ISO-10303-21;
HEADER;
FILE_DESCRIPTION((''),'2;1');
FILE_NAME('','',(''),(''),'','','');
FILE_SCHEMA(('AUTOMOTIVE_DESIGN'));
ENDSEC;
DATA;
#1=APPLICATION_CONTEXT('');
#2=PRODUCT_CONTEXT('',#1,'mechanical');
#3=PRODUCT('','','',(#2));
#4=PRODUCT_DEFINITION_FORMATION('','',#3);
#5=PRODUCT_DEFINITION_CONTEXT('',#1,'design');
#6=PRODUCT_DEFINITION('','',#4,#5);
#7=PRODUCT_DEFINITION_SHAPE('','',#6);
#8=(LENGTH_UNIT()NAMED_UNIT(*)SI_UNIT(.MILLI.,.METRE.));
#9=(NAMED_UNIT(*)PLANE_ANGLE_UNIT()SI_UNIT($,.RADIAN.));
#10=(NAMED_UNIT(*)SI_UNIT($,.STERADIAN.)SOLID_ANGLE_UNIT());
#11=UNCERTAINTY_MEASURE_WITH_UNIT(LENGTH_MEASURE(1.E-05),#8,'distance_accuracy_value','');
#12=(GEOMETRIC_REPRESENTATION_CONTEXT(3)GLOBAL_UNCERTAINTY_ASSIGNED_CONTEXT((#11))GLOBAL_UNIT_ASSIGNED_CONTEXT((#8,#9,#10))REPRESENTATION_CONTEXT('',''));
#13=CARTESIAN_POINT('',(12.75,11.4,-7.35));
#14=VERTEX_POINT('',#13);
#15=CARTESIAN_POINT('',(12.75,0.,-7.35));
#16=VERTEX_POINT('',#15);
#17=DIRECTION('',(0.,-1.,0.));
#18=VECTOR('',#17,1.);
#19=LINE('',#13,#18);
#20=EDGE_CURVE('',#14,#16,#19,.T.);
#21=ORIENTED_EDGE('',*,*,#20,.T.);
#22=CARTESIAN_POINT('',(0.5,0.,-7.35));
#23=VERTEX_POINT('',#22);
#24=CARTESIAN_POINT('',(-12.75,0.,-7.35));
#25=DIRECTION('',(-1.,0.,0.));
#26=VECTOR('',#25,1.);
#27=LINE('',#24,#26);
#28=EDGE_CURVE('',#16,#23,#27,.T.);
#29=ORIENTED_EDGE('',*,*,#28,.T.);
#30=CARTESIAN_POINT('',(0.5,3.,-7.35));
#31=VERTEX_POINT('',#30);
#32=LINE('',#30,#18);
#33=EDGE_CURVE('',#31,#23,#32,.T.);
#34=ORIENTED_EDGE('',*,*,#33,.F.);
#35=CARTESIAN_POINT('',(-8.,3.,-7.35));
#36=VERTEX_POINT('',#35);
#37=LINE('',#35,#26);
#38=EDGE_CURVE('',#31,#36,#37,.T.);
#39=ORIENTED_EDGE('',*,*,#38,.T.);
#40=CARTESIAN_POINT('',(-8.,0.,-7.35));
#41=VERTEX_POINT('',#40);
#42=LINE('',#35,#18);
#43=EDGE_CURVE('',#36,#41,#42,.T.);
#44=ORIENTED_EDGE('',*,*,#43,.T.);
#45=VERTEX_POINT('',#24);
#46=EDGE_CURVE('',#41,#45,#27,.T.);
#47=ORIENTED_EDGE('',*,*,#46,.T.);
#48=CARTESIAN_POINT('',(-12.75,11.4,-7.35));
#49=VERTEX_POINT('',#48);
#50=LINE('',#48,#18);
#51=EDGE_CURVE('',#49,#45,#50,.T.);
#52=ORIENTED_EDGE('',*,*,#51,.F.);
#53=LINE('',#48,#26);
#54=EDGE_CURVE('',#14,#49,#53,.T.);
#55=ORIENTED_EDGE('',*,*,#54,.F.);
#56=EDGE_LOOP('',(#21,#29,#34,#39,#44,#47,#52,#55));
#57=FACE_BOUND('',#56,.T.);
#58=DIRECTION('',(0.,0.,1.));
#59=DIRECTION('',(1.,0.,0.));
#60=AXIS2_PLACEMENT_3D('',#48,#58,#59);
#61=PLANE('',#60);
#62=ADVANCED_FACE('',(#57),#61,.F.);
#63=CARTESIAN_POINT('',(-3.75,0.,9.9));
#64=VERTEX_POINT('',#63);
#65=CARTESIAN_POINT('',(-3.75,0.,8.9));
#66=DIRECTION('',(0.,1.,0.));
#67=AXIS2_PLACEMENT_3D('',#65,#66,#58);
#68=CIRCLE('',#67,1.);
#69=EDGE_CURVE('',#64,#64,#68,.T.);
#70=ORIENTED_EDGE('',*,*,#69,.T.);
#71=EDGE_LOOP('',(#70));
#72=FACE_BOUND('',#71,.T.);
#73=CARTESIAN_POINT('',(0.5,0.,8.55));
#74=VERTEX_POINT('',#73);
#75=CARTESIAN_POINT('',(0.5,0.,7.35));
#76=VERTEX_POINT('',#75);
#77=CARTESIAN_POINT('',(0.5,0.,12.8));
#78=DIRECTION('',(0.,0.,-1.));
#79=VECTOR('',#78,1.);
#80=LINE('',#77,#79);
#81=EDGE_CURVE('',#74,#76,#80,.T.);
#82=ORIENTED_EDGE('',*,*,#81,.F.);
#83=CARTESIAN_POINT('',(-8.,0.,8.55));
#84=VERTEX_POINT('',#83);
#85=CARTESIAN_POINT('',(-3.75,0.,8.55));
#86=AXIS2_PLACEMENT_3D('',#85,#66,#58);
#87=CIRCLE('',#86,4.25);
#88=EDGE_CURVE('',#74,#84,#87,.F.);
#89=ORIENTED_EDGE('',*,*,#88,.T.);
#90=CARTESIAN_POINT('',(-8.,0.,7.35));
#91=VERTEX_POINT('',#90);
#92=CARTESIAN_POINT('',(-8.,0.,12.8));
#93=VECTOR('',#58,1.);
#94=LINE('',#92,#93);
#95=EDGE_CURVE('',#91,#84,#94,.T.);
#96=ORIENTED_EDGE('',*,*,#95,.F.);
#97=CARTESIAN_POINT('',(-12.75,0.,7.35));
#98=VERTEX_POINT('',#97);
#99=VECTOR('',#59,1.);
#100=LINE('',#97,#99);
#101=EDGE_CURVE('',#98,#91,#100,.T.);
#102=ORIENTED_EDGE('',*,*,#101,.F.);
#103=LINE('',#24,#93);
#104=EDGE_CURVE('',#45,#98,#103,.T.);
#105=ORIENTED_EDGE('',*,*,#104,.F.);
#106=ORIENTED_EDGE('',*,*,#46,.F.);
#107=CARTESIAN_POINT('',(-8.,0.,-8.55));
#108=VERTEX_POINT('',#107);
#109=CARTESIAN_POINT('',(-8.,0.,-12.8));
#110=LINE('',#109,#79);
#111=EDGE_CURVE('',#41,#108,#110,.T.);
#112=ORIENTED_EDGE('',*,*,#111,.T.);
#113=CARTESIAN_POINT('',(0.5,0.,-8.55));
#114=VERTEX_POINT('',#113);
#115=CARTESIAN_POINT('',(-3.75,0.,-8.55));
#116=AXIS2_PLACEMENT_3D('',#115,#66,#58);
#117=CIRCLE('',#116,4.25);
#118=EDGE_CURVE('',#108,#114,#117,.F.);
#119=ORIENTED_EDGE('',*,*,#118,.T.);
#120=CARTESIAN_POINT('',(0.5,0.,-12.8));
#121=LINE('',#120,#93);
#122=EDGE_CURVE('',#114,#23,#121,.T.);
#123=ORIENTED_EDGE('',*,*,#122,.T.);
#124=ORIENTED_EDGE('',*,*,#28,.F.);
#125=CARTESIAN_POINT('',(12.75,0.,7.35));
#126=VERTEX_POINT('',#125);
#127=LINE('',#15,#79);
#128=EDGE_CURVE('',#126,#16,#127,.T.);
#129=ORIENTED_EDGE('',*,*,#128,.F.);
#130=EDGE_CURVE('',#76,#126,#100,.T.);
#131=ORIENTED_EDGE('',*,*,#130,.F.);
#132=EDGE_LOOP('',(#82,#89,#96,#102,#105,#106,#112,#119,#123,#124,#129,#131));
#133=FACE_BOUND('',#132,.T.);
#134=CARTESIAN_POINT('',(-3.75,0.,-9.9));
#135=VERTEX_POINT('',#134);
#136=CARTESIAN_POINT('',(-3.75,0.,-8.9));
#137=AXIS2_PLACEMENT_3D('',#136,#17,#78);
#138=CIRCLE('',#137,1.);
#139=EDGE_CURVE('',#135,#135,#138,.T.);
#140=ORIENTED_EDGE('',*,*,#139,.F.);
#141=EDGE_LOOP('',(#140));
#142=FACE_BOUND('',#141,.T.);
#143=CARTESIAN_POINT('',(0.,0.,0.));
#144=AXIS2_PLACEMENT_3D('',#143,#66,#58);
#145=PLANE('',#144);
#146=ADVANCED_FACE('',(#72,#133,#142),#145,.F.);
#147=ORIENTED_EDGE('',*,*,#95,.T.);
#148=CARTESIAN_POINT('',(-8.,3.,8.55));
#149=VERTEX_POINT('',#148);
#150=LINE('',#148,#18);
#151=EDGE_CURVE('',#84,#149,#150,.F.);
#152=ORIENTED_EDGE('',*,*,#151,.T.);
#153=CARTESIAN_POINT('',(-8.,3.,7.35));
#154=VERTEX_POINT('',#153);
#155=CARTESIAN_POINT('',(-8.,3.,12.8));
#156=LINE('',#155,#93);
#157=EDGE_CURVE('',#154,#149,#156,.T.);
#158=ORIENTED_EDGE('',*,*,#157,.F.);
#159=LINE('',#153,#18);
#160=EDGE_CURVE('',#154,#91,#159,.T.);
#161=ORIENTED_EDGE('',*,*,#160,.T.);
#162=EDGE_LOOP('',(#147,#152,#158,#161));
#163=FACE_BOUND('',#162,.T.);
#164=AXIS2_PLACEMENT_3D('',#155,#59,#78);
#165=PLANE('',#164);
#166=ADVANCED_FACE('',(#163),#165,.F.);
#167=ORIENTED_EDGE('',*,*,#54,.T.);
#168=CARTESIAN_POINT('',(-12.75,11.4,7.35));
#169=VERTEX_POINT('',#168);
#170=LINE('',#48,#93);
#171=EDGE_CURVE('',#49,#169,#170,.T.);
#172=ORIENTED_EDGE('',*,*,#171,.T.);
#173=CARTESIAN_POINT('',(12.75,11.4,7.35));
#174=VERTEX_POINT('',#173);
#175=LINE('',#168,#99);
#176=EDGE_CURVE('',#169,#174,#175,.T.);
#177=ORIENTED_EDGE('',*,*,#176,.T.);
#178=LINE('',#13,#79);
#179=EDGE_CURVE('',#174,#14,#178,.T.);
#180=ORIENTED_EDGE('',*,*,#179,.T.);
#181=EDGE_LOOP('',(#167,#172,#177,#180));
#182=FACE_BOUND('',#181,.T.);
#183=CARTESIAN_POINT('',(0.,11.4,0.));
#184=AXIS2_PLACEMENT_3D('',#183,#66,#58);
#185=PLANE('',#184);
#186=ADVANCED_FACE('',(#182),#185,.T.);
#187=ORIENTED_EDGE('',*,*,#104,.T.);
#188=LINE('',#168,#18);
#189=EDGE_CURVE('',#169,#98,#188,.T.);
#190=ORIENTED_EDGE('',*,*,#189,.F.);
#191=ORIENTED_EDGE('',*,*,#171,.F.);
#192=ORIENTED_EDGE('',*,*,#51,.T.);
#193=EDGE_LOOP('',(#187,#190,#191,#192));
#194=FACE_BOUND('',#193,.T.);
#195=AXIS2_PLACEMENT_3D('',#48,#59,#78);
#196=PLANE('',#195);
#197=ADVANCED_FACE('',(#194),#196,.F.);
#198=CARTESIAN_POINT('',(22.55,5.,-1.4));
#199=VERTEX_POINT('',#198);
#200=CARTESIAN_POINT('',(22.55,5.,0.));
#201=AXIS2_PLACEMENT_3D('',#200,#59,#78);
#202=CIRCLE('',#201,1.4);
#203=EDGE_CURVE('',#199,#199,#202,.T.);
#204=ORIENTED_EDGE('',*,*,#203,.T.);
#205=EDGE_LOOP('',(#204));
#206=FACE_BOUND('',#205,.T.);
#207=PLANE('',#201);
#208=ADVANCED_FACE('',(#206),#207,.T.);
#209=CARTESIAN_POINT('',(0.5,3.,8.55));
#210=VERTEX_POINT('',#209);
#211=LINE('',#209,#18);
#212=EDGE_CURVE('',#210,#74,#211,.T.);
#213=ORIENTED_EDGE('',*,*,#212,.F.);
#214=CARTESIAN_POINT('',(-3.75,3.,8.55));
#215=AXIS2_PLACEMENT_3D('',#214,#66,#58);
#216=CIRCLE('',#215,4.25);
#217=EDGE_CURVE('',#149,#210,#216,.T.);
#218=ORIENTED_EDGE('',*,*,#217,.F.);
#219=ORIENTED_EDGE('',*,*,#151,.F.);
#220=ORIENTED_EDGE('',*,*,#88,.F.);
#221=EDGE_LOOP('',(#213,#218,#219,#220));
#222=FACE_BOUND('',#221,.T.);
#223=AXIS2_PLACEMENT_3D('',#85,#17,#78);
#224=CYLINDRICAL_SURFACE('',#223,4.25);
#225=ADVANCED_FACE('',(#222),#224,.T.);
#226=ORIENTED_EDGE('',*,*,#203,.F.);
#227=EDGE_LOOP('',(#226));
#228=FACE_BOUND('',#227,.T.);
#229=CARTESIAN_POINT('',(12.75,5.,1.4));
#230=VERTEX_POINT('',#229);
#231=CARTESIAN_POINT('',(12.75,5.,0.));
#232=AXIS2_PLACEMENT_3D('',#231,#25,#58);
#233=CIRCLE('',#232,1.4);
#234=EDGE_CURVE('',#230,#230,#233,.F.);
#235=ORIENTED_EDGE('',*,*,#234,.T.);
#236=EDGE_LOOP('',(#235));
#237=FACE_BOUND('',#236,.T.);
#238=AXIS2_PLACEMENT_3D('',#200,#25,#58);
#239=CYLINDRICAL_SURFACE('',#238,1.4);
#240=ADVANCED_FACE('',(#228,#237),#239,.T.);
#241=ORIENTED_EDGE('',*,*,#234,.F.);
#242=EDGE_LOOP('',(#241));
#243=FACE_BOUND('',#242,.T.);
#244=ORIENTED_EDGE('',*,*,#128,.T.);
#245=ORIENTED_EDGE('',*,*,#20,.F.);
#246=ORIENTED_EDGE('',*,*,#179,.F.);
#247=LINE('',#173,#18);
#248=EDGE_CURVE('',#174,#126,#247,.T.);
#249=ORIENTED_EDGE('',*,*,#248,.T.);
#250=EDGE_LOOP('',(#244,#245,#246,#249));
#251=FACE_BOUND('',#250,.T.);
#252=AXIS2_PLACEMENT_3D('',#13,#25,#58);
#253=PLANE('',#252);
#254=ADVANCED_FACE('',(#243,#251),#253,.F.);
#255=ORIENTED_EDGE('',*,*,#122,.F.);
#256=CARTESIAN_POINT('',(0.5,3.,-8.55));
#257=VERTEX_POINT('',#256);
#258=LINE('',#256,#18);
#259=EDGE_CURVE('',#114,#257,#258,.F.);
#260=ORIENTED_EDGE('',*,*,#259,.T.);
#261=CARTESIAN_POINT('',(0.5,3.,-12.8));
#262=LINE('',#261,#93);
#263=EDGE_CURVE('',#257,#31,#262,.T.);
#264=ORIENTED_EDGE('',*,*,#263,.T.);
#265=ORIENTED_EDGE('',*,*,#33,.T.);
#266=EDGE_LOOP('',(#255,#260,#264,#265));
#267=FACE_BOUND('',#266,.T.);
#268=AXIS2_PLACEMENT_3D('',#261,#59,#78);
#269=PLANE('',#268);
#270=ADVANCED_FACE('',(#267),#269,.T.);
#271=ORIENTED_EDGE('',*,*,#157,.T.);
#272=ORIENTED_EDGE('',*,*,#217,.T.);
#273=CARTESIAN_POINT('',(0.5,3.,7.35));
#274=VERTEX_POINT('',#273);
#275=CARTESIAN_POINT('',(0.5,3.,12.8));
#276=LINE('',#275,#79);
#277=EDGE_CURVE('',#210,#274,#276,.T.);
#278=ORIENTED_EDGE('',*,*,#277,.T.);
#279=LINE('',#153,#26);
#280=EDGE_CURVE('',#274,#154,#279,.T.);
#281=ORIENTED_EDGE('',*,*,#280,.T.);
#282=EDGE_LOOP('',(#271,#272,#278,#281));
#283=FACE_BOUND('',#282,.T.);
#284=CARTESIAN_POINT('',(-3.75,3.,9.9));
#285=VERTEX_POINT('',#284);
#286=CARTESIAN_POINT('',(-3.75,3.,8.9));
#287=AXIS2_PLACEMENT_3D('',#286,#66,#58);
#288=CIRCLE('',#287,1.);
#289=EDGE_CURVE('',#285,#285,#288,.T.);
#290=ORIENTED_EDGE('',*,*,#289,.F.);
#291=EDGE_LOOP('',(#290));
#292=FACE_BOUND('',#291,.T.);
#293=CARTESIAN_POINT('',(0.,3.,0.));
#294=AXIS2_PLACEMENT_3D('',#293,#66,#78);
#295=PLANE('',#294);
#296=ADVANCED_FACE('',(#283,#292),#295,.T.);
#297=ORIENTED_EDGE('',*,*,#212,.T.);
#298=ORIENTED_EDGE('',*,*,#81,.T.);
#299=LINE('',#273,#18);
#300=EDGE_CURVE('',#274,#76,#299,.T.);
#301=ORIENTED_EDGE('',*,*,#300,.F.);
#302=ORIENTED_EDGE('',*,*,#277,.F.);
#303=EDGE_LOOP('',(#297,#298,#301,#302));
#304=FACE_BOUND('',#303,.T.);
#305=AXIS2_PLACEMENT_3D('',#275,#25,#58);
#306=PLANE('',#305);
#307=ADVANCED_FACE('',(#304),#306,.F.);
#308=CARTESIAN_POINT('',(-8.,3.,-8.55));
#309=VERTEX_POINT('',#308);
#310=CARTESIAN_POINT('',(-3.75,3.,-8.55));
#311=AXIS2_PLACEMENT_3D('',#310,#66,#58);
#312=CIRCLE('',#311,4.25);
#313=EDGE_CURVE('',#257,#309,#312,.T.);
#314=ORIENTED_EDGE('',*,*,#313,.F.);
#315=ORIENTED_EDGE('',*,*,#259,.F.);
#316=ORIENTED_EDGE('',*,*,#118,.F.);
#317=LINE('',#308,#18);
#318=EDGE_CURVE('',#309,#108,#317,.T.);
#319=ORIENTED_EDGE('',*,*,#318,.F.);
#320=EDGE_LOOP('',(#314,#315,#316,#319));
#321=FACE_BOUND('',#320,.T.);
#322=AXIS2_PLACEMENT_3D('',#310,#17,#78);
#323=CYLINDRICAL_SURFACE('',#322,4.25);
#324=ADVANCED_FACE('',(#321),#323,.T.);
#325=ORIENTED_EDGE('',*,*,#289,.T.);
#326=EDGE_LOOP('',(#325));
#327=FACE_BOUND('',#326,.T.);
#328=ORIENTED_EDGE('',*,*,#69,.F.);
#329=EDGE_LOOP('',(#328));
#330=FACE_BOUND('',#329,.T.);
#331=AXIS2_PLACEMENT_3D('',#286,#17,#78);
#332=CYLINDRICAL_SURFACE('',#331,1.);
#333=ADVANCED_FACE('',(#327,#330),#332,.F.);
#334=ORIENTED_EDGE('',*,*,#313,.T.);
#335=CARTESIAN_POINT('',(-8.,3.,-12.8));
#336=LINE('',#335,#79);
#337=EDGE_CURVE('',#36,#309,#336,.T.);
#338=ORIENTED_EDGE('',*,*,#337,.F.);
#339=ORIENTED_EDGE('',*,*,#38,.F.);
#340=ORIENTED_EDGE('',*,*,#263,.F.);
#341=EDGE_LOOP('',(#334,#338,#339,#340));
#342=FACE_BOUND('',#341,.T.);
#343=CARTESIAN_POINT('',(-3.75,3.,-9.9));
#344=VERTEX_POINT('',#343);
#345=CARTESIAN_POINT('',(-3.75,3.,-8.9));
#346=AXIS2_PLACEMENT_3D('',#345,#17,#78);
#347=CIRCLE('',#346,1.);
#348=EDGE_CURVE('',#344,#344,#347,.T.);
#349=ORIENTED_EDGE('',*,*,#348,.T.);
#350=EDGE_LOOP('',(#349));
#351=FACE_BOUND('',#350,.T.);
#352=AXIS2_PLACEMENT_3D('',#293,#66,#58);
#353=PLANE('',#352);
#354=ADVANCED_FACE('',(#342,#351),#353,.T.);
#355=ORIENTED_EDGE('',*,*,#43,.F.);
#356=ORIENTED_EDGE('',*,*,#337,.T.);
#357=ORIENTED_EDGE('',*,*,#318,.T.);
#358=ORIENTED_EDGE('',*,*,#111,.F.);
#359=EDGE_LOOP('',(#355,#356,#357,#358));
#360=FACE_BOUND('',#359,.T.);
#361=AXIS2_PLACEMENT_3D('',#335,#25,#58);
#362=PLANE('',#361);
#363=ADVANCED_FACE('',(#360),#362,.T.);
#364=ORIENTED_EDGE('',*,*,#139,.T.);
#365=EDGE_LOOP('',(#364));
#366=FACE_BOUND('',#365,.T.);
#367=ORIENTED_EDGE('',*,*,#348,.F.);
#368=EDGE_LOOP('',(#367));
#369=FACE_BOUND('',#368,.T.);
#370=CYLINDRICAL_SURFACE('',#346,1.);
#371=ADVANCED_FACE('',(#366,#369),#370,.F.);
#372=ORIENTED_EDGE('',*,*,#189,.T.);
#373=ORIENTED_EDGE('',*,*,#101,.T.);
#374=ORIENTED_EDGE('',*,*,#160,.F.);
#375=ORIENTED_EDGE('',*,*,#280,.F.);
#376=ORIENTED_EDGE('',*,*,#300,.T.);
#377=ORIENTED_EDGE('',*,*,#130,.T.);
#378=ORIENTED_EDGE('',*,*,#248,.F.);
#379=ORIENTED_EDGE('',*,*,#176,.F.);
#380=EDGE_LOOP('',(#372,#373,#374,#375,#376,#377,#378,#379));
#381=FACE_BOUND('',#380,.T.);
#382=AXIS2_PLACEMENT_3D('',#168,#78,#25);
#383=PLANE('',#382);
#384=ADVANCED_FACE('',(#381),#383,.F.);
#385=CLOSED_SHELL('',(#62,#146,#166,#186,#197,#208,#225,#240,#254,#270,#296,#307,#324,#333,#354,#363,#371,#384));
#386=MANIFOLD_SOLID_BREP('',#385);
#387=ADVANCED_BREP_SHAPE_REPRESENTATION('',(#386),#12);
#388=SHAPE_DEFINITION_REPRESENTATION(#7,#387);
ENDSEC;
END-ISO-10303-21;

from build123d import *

# Parameters (mm, degrees)
SKETCH_1_W                    = 25.5
SKETCH_1_H                    = 14.7
EXTRUDE_263_DEPTH             = 11.4
SKETCH_2_R                    = 1.4
EXTRUDE_429_DEPTH             = 9.8
SKETCH_3_W                    = 8.5
SKETCH_3_H                    = 5.45
SKETCH_3_R                    = 1
EXTRUDE_694_DEPTH             = 3
FILLET_3_RADIUS               = 4.25
FILLET_3_LENGTH               = 3
FILLET_3_OF_MIRROR_3_2_RADIUS = 4.25
FILLET_3_OF_MIRROR_3_2_LENGTH = 3


with BuildPart() as part:
    # 草图1 → Extrude 263 (new body)
    with BuildSketch(Plane(origin=(0, 0, 0), x_dir=(1, 0, 0), z_dir=(0, 1, 0))):
        Rectangle(SKETCH_1_W, SKETCH_1_H)
    extrude(amount=EXTRUDE_263_DEPTH)

    # 草图2 → Extrude 429 (add)
    with BuildSketch(Plane(origin=(12.75, 0, 0), x_dir=(0, 0, -1), z_dir=(1, 0, 0))):
        with Locations(Location((0, 5, 0), (0, 0, 180))):
            Circle(SKETCH_2_R)
    extrude(amount=EXTRUDE_429_DEPTH)

    # 草图3 → Extrude 694 (add)
    with BuildSketch(Plane.XZ):
        with Locations((-3.75, -10.075)):
            Rectangle(SKETCH_3_W, SKETCH_3_H)
        with Locations(Location((-3.75, -8.9, 0), (0, 0, 270))):
            Circle(SKETCH_3_R, mode=Mode.SUBTRACT)
    extrude_694 = extrude(amount=-EXTRUDE_694_DEPTH)

    # 圆角3: full round fillet: the end face becomes a half cylinder, R = half its width
    fillet_3_face = Plane((-3.75, 1.5, -12.8), x_dir=(0, 1, 0), z_dir=(0, 0, -1))  # on the end face: x along it, z out of the body
    fillet_3_slab = fillet_3_face.offset(-FILLET_3_RADIUS / 2) * Box(FILLET_3_LENGTH, 2 * FILLET_3_RADIUS, FILLET_3_RADIUS, mode=Mode.PRIVATE)  # the body's end, R deep
    fillet_3_round = Plane((-3.75, 1.5, -8.55), x_dir=(0, 0, -1), z_dir=(0, 1, 0)) * Cylinder(FILLET_3_RADIUS, FILLET_3_LENGTH, mode=Mode.PRIVATE)  # its axis R under the face
    add(fillet_3_slab - fillet_3_round, mode=Mode.SUBTRACT)

    # 镜向3: Extrude 694 across plane
    add(extrude_694.mirror(Plane.XY))

    # 圆角3 of Mirror 3 2: full round fillet: the end face becomes a half cylinder, R = half its width
    fillet_3_of_mirror_3_2_face = Plane((-3.75, 1.5, 12.8), x_dir=(0, 1, 0), z_dir=(0, 0, 1))  # on the end face: x along it, z out of the body
    fillet_3_of_mirror_3_2_slab = fillet_3_of_mirror_3_2_face.offset(-FILLET_3_OF_MIRROR_3_2_RADIUS / 2) * Box(FILLET_3_OF_MIRROR_3_2_LENGTH, 2 * FILLET_3_OF_MIRROR_3_2_RADIUS, FILLET_3_OF_MIRROR_3_2_RADIUS, mode=Mode.PRIVATE)  # the body's end, R deep
    fillet_3_of_mirror_3_2_round = Plane((-3.75, 1.5, 8.55), x_dir=(0, 0, 1), z_dir=(0, 1, 0)) * Cylinder(FILLET_3_OF_MIRROR_3_2_RADIUS, FILLET_3_OF_MIRROR_3_2_LENGTH, mode=Mode.PRIVATE)  # its axis R under the face
    add(fillet_3_of_mirror_3_2_slab - fillet_3_of_mirror_3_2_round, mode=Mode.SUBTRACT)


solid = part.part
